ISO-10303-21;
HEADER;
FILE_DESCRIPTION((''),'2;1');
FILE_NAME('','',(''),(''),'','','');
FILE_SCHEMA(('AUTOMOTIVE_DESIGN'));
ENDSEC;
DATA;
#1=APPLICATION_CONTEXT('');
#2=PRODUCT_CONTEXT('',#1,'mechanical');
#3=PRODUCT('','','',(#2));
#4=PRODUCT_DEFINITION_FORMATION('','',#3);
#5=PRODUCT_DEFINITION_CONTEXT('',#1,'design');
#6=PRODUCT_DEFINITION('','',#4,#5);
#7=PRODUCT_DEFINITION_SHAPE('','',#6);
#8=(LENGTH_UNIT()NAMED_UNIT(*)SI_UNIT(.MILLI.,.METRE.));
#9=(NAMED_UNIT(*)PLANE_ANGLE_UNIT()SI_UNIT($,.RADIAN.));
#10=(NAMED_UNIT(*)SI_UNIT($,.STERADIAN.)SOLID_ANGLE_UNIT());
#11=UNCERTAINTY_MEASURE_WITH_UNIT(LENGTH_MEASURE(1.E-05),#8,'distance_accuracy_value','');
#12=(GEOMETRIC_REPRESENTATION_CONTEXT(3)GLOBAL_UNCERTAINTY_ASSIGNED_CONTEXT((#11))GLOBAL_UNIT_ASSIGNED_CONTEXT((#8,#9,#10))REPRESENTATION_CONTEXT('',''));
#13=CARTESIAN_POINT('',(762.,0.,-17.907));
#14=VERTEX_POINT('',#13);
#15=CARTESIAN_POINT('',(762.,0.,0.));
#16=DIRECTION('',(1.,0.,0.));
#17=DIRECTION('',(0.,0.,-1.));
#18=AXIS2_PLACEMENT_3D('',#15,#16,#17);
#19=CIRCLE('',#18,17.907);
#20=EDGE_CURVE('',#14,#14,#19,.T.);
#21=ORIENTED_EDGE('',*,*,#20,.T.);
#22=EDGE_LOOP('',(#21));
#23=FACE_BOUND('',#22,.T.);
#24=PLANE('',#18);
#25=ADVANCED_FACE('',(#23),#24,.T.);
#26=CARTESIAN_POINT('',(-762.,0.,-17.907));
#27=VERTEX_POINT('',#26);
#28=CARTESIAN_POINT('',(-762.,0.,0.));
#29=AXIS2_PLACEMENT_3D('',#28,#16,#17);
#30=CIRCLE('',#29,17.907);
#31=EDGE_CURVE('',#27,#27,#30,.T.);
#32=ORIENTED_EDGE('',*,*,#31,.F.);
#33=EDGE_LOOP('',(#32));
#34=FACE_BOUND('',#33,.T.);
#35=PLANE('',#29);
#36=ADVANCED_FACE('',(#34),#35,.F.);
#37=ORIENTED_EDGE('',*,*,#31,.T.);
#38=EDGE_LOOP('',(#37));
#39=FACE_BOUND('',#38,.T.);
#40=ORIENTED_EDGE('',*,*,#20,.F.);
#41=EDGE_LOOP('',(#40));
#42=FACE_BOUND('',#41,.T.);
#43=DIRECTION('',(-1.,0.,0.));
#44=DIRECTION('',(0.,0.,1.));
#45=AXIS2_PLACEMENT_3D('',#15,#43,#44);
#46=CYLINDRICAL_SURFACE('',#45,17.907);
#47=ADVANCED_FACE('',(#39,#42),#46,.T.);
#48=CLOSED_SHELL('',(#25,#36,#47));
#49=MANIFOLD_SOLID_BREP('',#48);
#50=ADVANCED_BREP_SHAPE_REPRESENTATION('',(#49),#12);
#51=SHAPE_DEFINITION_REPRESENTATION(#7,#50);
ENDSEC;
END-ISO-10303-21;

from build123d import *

# Parameters (mm, degrees)
SKETCH1_R           = 17.907
BOSS_EXTRUDE1_DEPTH = 762


with BuildPart() as part:
    # Sketch1 → Boss-Extrude1 (new, symmetric)
    with BuildSketch(Plane(origin=(0, 0, 0), x_dir=(0, 0, -1), z_dir=(1, 0, 0))):
        Circle(SKETCH1_R)
    extrude(amount=BOSS_EXTRUDE1_DEPTH, both=True)


solid = part.part
